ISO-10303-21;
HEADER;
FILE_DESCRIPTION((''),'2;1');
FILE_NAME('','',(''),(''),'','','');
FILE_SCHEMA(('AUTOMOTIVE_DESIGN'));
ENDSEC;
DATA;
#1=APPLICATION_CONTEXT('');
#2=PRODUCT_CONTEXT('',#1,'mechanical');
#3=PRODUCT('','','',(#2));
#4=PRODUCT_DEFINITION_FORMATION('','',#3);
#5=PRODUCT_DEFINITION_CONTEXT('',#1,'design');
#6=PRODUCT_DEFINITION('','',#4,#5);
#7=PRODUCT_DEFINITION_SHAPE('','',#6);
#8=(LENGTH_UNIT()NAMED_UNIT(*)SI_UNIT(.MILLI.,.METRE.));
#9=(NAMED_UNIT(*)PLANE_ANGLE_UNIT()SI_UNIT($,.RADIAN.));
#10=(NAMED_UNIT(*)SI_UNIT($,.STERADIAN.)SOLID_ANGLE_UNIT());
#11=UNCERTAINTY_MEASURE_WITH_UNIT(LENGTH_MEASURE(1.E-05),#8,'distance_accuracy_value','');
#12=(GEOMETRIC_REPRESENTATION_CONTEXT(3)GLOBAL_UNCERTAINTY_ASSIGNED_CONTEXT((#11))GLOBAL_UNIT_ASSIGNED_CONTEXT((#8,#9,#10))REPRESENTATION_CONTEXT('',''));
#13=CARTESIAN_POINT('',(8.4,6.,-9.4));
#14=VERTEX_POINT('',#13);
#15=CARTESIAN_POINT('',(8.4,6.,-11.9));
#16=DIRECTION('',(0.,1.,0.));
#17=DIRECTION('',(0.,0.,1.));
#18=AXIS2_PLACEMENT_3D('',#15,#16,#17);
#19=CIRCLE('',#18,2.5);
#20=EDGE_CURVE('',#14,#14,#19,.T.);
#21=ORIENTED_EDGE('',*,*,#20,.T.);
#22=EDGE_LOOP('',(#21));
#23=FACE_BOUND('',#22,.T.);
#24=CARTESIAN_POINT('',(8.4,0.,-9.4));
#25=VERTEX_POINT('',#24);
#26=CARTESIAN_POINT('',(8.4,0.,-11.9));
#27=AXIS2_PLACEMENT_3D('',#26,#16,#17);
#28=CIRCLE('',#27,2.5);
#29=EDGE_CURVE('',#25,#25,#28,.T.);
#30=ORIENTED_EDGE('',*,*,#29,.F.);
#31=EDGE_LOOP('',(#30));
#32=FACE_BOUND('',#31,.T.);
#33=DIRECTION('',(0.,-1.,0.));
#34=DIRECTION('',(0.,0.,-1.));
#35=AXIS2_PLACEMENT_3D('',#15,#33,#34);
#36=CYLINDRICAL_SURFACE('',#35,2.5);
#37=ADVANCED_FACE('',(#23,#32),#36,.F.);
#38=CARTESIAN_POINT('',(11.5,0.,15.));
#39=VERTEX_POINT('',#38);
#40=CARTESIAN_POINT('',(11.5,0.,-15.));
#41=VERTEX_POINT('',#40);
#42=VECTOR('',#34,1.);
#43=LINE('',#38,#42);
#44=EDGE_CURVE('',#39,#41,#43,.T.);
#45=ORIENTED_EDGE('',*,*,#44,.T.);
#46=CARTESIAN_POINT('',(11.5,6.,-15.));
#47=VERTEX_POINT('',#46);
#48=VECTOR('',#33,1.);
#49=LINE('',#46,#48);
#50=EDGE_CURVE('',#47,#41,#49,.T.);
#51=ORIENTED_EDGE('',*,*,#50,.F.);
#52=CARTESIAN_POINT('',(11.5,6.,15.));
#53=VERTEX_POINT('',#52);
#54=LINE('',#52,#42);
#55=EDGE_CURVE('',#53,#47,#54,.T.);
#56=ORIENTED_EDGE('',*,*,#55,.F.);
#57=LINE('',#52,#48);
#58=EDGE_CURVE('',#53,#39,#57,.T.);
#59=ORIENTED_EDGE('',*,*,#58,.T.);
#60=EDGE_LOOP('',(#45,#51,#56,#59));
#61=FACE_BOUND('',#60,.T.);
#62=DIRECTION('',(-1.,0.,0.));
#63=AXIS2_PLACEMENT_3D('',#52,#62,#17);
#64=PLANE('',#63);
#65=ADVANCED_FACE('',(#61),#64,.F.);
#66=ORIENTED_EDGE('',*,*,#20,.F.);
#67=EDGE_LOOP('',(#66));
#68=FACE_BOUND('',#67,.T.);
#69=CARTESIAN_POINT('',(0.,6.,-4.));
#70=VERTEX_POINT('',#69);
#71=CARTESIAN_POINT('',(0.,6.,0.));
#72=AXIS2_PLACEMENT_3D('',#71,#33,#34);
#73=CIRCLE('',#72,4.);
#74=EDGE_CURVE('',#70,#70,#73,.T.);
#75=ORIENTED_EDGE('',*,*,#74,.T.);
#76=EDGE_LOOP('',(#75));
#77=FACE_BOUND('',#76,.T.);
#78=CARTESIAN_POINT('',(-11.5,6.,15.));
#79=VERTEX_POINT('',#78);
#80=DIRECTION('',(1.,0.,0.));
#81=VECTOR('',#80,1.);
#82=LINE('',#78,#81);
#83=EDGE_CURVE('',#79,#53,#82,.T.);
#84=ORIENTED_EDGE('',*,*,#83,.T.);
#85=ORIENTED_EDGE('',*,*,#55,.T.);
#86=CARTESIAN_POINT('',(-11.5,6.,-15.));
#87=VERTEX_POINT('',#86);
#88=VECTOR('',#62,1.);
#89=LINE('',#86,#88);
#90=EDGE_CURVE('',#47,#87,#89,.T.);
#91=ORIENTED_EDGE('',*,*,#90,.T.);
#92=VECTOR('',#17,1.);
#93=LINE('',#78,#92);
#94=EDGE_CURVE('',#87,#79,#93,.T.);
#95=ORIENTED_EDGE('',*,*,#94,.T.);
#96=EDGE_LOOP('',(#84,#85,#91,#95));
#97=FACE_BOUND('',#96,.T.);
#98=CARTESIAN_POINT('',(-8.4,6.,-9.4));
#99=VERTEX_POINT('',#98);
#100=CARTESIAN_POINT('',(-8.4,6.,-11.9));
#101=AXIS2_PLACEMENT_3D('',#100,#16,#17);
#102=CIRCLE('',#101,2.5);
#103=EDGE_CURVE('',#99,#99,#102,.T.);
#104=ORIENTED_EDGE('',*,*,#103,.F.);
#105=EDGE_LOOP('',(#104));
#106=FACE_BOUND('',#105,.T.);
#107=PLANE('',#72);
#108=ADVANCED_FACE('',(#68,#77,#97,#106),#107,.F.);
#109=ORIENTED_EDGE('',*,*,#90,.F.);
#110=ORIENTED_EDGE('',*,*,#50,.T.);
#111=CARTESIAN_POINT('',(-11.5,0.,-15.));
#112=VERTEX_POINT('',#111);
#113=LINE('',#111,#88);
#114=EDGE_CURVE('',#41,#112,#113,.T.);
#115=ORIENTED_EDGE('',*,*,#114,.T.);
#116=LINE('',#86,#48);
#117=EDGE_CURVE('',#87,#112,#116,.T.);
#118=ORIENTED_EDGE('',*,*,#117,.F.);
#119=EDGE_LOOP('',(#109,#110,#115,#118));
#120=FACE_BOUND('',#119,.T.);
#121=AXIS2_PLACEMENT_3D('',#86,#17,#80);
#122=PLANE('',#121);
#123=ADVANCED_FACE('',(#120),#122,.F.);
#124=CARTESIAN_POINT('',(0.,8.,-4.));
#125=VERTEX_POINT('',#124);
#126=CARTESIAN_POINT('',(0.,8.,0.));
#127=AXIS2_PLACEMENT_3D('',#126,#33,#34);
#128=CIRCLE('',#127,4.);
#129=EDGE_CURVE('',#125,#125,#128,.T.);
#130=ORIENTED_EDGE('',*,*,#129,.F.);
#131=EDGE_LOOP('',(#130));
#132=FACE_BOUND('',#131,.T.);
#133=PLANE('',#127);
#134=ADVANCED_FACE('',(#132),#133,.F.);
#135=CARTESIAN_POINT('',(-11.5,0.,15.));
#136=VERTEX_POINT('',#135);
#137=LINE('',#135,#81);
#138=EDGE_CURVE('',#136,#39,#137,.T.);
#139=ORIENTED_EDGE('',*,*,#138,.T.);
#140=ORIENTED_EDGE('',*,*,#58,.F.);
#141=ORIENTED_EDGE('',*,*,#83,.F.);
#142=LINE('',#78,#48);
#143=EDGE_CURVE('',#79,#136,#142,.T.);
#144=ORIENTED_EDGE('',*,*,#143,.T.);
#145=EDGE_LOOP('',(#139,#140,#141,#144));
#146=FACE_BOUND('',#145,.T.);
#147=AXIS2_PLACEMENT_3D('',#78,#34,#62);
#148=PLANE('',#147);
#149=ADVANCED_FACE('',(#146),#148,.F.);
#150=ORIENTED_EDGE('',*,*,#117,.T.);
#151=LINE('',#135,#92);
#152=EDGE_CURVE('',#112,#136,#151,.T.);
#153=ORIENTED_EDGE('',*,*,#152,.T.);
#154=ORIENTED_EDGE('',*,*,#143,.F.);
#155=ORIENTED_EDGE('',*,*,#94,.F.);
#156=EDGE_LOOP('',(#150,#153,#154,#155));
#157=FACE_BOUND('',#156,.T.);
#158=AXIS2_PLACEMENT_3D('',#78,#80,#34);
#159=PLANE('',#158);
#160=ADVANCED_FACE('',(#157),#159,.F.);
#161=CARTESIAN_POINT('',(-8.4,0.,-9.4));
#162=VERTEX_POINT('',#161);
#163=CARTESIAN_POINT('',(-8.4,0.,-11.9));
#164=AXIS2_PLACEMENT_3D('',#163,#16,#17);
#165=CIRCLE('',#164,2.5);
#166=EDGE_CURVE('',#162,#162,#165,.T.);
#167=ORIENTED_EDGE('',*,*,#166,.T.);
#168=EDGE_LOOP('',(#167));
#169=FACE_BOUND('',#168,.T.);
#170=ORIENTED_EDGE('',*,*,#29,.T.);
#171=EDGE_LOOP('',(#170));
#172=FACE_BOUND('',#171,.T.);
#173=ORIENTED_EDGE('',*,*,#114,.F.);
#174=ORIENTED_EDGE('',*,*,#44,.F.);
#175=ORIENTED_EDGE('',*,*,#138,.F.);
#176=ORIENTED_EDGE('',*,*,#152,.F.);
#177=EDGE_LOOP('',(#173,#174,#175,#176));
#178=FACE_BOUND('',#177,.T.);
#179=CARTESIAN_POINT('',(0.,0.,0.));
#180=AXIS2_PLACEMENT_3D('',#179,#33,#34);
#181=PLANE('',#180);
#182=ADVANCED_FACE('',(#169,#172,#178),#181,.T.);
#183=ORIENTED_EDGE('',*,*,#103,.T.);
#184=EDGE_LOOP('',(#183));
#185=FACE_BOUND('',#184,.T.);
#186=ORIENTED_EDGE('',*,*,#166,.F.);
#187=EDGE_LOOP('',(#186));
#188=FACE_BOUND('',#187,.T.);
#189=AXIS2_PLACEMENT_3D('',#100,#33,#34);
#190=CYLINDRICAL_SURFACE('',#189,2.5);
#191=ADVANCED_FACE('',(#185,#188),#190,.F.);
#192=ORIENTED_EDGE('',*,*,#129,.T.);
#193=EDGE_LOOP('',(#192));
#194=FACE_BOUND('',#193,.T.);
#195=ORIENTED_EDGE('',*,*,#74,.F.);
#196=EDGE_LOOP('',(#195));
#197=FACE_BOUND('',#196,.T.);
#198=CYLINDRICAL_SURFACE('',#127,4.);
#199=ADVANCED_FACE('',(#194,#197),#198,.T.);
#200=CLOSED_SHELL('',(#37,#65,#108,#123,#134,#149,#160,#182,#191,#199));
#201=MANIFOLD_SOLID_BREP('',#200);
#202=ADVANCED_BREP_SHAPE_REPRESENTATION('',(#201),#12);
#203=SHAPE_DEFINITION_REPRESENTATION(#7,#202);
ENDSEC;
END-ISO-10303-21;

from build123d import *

# Parameters (mm, degrees)
SKETCH1_W           = 23
SKETCH1_H           = 30
SKETCH1_R           = 2.5
BOSS_EXTRUDE1_DEPTH = 6
BOSS_EXTRUDE2_START = -6
SKETCH2_R           = 4
BOSS_EXTRUDE2_DEPTH = 8


with BuildPart() as part:
    # Sketch1 → Boss-Extrude1 (new body)
    with BuildSketch(Plane(origin=(0, 0, 0), x_dir=(1, 0, 0), z_dir=(0, 1, 0))):
        Rectangle(SKETCH1_W, SKETCH1_H)
        with Locations((-8.4, 11.9)):
            Circle(SKETCH1_R, mode=Mode.SUBTRACT)
        with Locations((8.4, 11.9)):
            Circle(SKETCH1_R, mode=Mode.SUBTRACT)
    extrude(amount=BOSS_EXTRUDE1_DEPTH)

    # Sketch2 → Boss-Extrude2 (add)
    with BuildSketch(Plane(origin=(0, 6, 0), x_dir=(1, 0, 0), z_dir=(0, 1, 0)).offset(BOSS_EXTRUDE2_START)):
        Circle(SKETCH2_R)
    extrude(amount=BOSS_EXTRUDE2_DEPTH)


solid = part.part
